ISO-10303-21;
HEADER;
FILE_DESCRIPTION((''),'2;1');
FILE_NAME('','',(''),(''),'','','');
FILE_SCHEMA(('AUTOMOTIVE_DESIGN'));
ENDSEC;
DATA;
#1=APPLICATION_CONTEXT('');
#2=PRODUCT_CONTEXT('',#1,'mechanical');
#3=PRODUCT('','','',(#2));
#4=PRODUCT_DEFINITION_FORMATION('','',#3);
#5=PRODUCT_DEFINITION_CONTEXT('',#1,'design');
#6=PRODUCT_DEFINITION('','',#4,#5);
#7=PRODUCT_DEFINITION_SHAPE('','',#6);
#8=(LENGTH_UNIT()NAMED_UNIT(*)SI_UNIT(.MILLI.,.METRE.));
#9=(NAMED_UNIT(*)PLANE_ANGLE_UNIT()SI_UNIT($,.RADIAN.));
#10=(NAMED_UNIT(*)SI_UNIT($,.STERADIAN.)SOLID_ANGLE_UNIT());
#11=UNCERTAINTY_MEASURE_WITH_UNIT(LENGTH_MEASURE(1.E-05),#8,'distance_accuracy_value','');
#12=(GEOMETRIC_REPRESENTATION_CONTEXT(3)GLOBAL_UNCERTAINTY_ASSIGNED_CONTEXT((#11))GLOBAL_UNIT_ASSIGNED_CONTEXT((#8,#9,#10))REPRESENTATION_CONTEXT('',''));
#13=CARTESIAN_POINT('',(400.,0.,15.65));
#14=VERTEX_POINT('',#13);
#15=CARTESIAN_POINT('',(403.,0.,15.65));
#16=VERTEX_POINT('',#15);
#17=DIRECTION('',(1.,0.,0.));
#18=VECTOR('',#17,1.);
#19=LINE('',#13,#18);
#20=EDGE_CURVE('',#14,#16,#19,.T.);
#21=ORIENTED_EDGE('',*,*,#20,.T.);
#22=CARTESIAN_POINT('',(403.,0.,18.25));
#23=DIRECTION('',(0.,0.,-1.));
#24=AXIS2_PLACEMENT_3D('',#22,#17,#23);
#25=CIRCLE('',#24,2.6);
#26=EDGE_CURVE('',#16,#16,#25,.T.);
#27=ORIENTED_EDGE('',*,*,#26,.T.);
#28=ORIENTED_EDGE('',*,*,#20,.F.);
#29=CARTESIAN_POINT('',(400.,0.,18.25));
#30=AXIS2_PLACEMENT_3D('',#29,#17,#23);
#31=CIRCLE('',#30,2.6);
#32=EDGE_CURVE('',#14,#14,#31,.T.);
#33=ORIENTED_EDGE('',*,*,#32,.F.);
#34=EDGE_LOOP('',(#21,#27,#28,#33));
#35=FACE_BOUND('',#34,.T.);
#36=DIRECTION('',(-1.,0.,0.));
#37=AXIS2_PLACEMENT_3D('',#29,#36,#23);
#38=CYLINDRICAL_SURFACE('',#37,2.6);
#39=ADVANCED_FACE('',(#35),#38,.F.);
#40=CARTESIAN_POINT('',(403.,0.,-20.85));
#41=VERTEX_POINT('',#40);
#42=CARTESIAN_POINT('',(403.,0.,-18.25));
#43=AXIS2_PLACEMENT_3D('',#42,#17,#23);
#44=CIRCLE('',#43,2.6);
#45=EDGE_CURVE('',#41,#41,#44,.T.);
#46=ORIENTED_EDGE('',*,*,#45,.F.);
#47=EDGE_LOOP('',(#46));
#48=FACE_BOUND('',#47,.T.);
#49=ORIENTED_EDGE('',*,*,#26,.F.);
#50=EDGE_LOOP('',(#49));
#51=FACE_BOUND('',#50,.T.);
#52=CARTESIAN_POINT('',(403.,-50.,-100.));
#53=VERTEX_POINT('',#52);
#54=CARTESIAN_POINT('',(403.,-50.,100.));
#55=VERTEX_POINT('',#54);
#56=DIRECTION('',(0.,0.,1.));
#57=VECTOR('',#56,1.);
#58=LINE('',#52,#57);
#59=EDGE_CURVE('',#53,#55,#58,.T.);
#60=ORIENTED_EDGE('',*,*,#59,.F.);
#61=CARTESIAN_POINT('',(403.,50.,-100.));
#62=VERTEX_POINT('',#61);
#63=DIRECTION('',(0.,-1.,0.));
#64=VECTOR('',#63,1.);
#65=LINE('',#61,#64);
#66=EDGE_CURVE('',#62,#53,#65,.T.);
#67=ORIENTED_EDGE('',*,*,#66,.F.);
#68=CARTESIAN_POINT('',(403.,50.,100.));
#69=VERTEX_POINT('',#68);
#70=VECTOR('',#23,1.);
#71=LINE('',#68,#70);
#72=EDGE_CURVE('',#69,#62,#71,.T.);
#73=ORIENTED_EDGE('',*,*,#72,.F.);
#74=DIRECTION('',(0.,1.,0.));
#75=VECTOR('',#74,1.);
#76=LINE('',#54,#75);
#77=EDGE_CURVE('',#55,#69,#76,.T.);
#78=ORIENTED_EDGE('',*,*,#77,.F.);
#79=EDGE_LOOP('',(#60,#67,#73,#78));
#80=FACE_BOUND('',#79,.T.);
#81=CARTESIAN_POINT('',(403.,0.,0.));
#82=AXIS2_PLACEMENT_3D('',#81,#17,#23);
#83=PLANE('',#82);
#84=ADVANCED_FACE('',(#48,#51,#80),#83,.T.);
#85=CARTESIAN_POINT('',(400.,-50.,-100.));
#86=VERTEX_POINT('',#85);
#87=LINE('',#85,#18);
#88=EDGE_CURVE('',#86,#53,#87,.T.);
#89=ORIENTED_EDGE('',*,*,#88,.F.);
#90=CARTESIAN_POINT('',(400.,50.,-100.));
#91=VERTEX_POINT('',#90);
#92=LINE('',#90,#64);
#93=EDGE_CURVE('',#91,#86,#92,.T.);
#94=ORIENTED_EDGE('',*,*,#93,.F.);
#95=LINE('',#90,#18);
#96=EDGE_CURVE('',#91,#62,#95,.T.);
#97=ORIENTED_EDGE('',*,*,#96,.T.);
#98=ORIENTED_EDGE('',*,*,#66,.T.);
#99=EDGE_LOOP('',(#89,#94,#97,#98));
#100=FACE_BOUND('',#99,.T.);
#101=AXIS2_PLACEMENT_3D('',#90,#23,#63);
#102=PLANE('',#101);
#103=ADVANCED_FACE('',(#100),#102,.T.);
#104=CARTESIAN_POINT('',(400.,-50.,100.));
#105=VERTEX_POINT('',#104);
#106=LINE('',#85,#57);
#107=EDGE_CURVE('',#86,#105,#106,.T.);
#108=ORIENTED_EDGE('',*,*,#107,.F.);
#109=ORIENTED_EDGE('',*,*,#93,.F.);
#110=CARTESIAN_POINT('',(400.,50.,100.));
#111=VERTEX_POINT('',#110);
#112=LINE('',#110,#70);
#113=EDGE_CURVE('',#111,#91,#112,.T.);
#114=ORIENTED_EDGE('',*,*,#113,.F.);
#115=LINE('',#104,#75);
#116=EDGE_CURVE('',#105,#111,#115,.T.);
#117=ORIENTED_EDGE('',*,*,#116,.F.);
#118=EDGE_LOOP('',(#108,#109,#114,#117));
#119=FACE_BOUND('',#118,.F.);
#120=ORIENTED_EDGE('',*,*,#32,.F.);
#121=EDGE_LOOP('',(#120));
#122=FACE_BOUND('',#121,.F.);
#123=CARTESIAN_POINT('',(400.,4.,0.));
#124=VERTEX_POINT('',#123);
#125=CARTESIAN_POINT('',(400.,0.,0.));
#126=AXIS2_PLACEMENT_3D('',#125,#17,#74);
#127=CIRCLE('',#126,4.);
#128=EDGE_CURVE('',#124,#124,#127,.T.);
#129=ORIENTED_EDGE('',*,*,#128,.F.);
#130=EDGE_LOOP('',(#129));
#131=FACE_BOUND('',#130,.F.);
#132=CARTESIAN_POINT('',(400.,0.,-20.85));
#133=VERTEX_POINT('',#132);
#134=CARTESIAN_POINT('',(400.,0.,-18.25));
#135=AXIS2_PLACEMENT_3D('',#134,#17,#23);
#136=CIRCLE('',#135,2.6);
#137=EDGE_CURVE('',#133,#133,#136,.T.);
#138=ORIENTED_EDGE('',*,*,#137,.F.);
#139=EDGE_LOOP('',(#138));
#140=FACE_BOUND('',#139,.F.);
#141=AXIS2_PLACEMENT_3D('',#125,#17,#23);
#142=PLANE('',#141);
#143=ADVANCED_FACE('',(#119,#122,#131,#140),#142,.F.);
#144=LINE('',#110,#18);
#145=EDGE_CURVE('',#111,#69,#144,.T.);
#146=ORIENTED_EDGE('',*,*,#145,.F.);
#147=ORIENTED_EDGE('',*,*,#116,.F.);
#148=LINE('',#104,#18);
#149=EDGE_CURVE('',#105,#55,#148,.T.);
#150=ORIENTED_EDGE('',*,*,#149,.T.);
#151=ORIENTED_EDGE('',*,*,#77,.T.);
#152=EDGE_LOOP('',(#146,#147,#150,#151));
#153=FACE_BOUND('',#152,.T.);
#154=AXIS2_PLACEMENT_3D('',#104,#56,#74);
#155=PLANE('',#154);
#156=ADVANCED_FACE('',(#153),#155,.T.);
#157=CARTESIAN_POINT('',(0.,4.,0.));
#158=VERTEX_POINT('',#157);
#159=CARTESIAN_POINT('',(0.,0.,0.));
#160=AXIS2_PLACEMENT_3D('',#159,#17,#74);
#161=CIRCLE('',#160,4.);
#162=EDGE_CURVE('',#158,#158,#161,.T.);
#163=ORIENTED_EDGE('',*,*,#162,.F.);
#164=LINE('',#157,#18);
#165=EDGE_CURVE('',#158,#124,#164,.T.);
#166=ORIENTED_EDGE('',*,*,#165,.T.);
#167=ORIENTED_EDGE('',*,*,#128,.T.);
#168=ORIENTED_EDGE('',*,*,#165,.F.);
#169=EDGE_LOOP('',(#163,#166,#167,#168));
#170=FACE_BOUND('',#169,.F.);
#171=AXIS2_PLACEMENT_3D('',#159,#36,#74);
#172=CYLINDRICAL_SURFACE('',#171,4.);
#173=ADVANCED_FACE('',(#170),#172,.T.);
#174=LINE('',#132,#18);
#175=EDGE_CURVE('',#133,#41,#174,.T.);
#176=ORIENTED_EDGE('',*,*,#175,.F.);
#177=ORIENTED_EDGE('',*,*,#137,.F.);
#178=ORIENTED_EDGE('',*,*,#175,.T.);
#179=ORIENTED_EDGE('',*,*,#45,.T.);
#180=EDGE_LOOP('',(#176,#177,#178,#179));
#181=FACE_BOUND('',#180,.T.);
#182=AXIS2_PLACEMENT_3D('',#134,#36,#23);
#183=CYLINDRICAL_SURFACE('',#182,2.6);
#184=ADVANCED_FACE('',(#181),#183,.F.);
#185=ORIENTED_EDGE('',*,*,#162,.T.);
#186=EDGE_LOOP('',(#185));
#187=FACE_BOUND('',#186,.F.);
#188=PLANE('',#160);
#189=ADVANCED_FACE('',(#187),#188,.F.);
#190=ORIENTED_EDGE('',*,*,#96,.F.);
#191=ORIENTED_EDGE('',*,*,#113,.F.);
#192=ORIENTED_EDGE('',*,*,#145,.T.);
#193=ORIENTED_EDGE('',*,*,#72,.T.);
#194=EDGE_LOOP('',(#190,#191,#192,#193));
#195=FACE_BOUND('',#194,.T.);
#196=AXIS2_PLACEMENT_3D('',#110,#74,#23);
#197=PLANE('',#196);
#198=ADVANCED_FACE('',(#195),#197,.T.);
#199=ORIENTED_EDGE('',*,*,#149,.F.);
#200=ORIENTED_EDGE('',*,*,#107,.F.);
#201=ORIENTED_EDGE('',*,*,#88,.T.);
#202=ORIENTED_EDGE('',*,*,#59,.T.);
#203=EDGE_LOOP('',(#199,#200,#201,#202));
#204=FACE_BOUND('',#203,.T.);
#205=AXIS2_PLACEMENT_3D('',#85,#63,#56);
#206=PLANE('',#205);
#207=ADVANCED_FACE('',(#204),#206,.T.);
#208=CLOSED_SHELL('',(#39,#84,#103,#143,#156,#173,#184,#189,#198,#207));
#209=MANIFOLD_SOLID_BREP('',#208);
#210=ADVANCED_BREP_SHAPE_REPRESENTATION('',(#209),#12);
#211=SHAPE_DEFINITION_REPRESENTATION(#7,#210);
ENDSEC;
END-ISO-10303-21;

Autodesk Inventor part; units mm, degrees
ref_plane "YZ Plane" through (0, 0, 0) normal (1, 0, 0) x (0, 1, 0)
ref_plane "XZ Plane" through (0, 0, 0) normal (0, 1, 0) x (-1, 0, 0)
ref_plane "XY Plane" through (0, 0, 0) normal (0, 0, 1) x (1, 0, 0)
sketch "Sketch1" plane through (0, 0, 0) normal (1, 0, 0) x (0, 1, 0)
  circle A0 centre (0, 0) radius 4
  dimension "d0" = 8
extrude "Extrusion1" add sketch "Sketch1" along normal blind 400
sketch "Sketch2" plane through (400, 0, 0) normal (1, 0, 0) x (0, 0, -1)
  line L0 (-100, 50) -> (100, 50)
  line L1 (100, 50) -> (100, -50)
  line L2 (100, -50) -> (-100, -50)
  line L3 (-100, -50) -> (-100, 50)
  circle A0 centre (0, 0) radius 4 projected
  line L4 (-100, 50) -> (100, -50) construction
  line L5 (100, 50) -> (-100, -50) construction
  line L6 (0, 0) -> (-18.25, 0) construction
  circle A1 centre (-18.25, 0) radius 2.6
  circle A2 centre (0, 0) radius 4 construction
  line L7 (0, 0) -> (18.25, 0) construction
  circle A3 centre (18.25, 0) radius 2.6
  dimension "d3" = 200
  dimension "d4" = 100
  dimension "d7" = 18.25
  dimension "d8" = 5.2
extrude "Extrusion2" add sketch "Sketch2" along normal blind 3 contours L0 L1 L2 L3 | A0
properties part number "Screw"
